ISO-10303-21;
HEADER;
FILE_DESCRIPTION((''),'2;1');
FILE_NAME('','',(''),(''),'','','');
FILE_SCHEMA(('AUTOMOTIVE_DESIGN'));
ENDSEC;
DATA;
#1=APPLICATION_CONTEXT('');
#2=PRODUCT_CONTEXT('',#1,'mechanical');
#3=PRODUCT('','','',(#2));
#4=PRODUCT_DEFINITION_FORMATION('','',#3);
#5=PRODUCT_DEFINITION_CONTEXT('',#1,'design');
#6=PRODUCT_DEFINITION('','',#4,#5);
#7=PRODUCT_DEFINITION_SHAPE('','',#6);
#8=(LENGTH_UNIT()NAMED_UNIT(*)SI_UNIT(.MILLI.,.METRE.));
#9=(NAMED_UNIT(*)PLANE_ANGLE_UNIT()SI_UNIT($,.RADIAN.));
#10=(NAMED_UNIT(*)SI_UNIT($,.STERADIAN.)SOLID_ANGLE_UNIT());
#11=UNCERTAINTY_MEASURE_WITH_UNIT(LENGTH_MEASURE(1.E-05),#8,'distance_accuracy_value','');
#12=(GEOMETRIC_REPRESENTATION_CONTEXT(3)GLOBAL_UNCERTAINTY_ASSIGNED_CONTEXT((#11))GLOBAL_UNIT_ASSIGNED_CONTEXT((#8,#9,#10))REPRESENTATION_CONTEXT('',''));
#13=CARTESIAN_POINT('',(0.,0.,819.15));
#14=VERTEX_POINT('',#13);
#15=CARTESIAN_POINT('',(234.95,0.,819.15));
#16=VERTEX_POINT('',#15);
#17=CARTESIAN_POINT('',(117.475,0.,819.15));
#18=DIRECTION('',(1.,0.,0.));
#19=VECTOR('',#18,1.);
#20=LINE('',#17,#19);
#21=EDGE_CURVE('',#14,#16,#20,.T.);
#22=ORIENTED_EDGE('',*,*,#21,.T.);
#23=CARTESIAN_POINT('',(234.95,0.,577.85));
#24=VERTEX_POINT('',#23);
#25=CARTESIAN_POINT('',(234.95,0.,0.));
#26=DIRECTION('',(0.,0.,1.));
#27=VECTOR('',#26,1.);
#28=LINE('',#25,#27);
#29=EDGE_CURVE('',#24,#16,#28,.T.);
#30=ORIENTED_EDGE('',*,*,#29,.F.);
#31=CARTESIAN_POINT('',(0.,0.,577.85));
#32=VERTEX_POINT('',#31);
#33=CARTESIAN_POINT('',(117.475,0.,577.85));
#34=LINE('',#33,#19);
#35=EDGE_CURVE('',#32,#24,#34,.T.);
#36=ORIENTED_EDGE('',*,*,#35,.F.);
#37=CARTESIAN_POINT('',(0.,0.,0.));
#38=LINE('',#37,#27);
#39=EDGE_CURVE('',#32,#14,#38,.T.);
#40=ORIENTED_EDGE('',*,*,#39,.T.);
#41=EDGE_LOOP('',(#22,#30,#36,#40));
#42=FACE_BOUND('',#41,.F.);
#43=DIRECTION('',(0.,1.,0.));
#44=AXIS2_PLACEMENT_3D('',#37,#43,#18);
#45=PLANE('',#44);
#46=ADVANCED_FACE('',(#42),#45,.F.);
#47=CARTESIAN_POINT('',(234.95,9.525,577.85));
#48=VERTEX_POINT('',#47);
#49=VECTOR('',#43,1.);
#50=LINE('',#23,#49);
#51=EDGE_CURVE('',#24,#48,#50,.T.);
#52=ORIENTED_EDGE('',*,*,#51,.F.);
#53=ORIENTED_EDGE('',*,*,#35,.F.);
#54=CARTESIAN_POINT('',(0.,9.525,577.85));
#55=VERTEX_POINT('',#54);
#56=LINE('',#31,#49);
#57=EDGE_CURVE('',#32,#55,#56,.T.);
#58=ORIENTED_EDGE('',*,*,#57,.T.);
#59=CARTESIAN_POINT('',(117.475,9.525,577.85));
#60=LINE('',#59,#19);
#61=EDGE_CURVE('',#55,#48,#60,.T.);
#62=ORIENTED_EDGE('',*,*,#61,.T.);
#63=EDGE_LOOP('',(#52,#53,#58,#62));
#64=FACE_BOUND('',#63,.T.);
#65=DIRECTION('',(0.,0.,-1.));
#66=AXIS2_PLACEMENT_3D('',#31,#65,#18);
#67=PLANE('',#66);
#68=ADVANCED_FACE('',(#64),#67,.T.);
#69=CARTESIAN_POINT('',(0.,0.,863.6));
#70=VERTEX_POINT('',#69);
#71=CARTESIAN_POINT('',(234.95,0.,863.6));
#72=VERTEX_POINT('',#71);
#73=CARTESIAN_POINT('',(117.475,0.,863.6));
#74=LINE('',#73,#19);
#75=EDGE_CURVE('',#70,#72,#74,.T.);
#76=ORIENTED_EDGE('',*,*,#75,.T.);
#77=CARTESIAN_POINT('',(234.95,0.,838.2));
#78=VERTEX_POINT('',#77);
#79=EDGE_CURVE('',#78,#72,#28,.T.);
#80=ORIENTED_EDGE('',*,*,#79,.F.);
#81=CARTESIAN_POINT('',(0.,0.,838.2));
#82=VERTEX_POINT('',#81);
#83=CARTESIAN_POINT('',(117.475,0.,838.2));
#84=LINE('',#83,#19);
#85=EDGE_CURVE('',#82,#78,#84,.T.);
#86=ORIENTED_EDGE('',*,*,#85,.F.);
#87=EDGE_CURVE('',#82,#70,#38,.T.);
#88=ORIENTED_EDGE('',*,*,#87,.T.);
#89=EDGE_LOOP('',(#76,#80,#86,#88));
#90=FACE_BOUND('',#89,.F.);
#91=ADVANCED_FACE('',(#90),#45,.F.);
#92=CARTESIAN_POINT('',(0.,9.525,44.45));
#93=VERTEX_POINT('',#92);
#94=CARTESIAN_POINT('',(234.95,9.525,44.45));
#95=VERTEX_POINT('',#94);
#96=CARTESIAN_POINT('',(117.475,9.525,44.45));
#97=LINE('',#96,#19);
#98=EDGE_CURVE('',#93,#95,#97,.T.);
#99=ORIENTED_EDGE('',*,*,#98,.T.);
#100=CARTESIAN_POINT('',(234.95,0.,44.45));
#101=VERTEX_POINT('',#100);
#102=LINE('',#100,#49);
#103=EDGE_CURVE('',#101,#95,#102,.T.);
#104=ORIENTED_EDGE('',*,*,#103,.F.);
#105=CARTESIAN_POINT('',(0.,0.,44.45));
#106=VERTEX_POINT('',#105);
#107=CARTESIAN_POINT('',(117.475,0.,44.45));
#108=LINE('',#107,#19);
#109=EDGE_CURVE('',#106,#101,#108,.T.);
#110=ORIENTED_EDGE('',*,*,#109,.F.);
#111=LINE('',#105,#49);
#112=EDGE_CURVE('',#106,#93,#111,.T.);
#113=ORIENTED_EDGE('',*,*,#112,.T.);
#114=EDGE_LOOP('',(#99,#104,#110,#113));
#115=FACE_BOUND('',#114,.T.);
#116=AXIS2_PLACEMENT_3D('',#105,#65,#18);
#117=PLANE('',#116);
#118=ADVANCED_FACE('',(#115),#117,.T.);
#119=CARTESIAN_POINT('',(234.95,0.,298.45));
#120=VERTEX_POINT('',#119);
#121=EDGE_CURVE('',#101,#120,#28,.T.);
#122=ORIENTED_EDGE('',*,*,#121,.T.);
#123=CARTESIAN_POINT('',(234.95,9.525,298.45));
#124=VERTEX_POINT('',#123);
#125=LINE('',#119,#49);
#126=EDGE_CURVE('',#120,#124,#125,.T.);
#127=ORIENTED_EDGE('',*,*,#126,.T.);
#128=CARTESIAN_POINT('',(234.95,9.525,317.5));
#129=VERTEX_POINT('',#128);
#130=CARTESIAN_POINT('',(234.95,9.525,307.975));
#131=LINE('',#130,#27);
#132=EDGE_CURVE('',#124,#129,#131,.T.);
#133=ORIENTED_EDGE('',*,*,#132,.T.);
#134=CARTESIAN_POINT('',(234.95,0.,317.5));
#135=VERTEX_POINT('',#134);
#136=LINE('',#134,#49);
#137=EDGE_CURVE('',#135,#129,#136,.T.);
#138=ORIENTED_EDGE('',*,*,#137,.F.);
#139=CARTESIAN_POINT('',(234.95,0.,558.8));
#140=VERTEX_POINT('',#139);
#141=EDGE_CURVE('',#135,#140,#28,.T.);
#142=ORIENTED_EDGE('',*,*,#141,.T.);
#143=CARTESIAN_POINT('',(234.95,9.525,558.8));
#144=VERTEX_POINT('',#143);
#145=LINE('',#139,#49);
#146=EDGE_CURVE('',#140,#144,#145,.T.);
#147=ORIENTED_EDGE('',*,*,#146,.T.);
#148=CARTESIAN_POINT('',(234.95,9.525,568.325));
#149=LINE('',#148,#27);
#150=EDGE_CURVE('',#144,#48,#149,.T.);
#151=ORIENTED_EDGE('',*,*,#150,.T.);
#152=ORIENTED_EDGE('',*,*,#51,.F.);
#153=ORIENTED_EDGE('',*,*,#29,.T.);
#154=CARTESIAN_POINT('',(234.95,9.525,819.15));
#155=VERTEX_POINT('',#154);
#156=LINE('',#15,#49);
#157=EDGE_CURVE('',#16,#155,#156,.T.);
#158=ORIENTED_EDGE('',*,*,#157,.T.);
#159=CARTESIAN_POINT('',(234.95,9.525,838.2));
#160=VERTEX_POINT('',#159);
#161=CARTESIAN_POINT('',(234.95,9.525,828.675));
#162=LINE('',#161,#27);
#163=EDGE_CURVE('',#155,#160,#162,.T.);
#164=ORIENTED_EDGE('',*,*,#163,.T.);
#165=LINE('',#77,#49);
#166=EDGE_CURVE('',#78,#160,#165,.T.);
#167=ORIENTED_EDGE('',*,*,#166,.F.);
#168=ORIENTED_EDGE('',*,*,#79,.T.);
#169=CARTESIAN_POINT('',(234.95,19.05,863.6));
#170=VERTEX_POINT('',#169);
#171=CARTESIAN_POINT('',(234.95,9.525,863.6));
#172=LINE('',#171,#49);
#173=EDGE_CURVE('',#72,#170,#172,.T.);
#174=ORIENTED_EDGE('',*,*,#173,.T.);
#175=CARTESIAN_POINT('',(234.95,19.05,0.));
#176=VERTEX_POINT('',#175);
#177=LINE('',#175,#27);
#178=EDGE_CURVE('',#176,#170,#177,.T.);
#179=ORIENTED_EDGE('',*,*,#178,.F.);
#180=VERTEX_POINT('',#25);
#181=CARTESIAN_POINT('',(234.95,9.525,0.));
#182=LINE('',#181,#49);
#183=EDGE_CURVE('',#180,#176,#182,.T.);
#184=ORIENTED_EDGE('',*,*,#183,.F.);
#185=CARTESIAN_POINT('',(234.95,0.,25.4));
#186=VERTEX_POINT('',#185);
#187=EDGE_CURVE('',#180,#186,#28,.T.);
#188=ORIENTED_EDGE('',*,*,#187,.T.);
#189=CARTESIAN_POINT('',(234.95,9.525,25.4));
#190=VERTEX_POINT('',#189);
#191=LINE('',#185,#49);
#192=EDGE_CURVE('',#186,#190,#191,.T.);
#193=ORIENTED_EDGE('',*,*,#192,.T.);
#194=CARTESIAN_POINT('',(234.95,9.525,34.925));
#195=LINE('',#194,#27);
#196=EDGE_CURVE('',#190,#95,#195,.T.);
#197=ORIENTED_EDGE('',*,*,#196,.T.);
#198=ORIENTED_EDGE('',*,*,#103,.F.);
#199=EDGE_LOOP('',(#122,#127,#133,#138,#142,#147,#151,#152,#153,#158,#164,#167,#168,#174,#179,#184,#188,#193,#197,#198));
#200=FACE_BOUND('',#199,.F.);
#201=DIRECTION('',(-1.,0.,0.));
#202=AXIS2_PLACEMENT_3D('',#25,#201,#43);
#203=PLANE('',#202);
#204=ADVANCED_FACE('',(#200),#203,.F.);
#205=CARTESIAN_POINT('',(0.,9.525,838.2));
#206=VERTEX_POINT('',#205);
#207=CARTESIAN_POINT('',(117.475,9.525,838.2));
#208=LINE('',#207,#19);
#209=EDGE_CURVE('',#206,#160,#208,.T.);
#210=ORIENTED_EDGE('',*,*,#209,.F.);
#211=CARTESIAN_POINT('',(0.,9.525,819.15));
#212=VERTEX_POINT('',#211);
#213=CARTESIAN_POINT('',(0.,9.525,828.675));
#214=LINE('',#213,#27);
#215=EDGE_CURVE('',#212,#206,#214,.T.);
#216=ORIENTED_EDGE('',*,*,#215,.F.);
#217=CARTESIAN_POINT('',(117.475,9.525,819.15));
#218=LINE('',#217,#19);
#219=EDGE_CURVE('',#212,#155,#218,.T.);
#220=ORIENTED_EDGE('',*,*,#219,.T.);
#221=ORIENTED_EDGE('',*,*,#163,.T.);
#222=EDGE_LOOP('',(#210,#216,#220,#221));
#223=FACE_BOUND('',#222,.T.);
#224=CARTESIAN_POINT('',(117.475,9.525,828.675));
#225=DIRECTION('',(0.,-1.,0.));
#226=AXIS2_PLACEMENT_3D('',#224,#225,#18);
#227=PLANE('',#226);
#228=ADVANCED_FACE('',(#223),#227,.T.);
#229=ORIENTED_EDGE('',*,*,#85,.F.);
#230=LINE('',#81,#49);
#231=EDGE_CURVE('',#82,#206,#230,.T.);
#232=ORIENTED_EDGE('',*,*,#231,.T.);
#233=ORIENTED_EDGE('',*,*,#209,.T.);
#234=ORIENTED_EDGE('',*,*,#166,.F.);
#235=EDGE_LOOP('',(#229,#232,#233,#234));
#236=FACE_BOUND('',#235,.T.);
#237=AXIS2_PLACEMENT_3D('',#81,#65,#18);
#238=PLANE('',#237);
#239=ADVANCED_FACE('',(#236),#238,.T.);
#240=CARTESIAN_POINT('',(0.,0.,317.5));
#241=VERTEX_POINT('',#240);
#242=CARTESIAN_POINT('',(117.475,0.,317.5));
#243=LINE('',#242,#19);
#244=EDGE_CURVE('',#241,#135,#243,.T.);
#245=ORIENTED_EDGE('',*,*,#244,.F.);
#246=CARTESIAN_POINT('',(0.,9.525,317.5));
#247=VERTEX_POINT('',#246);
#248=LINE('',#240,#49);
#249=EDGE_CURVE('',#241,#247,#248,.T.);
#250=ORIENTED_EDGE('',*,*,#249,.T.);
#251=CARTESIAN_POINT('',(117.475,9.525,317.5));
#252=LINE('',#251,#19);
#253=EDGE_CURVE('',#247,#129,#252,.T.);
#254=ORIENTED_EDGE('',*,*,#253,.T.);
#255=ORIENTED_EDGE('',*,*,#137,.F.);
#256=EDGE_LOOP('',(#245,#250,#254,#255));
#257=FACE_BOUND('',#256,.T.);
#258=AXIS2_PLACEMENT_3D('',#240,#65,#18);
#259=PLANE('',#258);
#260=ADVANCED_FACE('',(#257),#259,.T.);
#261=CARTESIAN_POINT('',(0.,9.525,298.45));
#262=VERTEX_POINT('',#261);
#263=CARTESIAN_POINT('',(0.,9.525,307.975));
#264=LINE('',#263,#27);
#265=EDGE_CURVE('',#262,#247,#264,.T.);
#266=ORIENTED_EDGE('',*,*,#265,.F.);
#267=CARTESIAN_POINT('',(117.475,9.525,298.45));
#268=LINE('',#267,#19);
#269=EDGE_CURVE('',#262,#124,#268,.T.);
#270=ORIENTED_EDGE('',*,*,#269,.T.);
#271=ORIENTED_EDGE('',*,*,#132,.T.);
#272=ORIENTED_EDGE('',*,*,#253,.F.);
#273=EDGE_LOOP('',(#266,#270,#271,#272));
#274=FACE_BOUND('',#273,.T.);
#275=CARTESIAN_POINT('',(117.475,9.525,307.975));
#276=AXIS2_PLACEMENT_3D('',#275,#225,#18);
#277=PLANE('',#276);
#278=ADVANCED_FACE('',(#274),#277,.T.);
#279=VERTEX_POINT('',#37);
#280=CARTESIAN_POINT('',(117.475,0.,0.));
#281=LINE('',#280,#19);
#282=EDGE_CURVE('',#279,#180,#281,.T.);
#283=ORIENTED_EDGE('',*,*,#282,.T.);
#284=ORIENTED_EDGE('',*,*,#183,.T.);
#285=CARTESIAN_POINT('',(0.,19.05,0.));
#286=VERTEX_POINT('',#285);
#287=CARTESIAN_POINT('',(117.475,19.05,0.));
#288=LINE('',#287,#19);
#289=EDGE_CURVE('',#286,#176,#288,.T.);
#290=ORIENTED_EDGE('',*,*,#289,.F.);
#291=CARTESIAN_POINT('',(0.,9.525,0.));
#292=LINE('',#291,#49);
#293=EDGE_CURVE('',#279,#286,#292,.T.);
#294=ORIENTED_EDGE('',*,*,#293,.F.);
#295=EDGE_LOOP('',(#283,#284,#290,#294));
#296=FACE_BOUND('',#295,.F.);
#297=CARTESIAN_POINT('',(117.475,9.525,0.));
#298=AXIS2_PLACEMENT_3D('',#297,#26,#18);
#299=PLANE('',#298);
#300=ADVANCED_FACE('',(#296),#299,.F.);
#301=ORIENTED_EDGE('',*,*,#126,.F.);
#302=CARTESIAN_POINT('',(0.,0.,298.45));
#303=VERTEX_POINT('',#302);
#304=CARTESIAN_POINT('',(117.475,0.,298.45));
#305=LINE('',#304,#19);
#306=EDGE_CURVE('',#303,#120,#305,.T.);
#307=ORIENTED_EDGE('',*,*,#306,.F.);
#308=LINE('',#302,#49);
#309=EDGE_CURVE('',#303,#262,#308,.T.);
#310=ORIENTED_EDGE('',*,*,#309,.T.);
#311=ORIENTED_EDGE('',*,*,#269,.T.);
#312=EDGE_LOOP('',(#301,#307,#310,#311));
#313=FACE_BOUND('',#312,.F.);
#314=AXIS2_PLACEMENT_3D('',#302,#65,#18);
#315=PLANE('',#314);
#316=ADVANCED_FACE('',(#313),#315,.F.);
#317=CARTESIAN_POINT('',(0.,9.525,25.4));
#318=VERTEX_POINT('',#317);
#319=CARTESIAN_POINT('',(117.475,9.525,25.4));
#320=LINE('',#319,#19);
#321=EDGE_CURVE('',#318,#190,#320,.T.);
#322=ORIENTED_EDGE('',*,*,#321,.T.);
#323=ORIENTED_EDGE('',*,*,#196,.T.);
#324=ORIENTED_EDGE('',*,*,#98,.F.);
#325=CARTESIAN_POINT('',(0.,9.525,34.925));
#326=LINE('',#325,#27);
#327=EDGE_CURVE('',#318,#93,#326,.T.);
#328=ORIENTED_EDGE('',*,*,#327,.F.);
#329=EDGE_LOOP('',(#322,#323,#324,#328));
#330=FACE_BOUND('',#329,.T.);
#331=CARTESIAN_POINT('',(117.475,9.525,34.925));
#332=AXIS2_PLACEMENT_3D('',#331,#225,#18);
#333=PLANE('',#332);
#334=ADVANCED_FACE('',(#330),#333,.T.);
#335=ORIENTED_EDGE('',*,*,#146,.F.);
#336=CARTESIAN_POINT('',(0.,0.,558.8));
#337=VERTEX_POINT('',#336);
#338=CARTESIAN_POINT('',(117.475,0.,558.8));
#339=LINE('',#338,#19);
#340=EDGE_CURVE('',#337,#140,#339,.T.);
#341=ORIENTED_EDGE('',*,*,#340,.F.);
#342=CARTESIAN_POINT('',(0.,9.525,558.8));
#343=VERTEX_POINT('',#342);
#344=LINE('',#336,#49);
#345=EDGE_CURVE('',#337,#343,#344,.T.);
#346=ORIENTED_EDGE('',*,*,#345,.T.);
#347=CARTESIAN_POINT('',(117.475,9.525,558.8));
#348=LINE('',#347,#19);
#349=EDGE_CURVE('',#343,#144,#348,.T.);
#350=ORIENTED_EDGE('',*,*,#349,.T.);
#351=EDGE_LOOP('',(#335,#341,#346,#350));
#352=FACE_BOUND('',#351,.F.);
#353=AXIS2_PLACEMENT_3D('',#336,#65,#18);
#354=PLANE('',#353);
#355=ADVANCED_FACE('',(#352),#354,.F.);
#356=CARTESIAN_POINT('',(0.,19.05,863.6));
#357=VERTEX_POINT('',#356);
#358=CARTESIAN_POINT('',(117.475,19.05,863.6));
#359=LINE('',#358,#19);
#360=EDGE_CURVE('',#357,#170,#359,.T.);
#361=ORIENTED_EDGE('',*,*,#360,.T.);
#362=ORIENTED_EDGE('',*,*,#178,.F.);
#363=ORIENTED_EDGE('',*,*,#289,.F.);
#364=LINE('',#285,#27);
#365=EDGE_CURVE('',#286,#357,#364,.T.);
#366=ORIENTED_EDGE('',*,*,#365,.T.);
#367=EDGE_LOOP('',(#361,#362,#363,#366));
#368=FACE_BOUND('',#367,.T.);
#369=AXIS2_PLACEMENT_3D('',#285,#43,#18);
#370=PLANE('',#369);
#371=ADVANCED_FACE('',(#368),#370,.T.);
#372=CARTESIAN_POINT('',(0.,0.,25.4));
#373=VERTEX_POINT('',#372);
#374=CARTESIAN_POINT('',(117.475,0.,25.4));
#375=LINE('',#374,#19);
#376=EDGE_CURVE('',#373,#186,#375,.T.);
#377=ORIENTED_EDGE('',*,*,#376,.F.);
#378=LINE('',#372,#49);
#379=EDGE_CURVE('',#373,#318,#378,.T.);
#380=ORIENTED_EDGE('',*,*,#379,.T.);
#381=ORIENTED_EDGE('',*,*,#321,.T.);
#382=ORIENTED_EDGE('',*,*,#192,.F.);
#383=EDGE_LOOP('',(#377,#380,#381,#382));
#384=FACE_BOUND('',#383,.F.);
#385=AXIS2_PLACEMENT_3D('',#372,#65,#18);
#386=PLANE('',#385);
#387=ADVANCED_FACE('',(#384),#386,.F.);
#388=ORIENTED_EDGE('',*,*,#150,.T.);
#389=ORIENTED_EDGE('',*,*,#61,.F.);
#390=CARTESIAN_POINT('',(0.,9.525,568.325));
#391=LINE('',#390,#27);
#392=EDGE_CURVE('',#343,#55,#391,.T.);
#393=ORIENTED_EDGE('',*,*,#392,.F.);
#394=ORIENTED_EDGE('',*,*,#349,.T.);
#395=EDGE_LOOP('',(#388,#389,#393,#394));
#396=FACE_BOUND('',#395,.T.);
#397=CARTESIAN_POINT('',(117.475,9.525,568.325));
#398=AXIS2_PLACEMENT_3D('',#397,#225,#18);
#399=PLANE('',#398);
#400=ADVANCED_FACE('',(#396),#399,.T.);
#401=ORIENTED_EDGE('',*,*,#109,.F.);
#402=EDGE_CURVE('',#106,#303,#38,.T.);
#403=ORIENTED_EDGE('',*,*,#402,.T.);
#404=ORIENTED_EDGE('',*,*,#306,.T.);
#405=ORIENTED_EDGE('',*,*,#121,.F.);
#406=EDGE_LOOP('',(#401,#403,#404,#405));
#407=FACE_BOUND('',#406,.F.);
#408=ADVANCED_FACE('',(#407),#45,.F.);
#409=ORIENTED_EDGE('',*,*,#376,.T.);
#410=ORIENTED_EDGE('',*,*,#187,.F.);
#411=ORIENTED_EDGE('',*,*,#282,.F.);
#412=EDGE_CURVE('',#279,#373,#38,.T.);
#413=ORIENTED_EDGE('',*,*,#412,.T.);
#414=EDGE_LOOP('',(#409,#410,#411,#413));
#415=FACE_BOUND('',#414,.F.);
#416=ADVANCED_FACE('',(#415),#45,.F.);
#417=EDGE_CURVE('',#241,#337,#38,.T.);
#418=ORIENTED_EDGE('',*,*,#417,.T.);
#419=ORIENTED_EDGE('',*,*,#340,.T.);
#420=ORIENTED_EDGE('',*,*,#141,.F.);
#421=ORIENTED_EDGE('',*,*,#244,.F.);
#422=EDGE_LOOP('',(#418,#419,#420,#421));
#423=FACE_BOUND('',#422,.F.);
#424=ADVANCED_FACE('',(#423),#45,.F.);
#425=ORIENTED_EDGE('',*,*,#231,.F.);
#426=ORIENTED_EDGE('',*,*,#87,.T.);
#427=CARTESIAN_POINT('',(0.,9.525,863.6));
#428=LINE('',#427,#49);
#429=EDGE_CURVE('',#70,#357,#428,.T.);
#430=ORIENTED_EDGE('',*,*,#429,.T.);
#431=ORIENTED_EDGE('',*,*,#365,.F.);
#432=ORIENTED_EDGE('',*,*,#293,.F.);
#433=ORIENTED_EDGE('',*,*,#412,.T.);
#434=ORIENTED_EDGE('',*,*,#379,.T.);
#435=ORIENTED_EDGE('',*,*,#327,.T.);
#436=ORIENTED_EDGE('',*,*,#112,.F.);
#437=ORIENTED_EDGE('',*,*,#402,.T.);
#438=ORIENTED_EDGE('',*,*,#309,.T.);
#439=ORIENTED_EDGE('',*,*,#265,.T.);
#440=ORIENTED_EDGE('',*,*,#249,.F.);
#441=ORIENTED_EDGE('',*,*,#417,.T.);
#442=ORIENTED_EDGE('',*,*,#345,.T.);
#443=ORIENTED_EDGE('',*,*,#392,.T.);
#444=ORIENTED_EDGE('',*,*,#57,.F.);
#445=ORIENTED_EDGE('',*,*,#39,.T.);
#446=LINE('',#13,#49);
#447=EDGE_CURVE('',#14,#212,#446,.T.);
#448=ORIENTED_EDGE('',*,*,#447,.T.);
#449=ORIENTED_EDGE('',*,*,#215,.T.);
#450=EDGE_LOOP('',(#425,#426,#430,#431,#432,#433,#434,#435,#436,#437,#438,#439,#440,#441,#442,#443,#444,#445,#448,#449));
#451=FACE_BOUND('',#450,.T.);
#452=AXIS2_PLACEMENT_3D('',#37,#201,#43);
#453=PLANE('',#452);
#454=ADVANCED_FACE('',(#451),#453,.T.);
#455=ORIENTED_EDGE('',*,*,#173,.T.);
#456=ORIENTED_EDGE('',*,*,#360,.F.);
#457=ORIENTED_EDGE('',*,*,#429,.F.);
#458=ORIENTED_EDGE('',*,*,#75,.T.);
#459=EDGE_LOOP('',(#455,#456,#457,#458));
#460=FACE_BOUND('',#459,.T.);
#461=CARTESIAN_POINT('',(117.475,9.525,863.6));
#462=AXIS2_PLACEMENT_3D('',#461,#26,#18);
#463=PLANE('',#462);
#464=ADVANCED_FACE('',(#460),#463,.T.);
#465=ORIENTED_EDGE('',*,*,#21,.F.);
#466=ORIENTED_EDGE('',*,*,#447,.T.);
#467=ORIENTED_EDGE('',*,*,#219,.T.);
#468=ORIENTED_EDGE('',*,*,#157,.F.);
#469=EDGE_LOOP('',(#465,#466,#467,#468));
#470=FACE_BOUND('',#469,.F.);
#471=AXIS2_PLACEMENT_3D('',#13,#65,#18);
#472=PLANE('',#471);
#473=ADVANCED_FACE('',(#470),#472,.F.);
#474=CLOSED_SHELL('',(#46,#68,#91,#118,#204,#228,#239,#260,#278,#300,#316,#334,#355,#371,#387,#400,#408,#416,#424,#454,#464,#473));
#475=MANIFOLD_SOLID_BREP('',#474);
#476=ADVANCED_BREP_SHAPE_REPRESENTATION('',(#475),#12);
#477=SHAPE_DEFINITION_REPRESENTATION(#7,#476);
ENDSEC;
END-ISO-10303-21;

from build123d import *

# Parameters (mm, degrees)
F0_W     = 234.95
F0_H     = 19.05
F1_DEPTH = 863.6
F2_W     = 234.95
F2_H     = 19.05
F3_DEPTH = 9.525


with BuildPart() as f1:
    # F0 (on Top) → F1 (new body)
    with BuildSketch(Plane.XY):
        with Locations((117.475, 9.525)):
            Rectangle(F0_W, F0_H)
    extrude(amount=F1_DEPTH)

    # F2 (on face) → F3 (cut)
    with BuildSketch(Plane.XZ):
        with Locations((117.475, 828.675)):
            Rectangle(F2_W, F2_H)
        with Locations((117.475, 34.925)):
            Rectangle(F2_W, F2_H)
        with Locations((117.475, 307.975)):
            Rectangle(F2_W, F2_H)
        with Locations((117.475, 568.325)):
            Rectangle(F2_W, F2_H)
    extrude(amount=-F3_DEPTH, mode=Mode.SUBTRACT)


solid = f1.part
